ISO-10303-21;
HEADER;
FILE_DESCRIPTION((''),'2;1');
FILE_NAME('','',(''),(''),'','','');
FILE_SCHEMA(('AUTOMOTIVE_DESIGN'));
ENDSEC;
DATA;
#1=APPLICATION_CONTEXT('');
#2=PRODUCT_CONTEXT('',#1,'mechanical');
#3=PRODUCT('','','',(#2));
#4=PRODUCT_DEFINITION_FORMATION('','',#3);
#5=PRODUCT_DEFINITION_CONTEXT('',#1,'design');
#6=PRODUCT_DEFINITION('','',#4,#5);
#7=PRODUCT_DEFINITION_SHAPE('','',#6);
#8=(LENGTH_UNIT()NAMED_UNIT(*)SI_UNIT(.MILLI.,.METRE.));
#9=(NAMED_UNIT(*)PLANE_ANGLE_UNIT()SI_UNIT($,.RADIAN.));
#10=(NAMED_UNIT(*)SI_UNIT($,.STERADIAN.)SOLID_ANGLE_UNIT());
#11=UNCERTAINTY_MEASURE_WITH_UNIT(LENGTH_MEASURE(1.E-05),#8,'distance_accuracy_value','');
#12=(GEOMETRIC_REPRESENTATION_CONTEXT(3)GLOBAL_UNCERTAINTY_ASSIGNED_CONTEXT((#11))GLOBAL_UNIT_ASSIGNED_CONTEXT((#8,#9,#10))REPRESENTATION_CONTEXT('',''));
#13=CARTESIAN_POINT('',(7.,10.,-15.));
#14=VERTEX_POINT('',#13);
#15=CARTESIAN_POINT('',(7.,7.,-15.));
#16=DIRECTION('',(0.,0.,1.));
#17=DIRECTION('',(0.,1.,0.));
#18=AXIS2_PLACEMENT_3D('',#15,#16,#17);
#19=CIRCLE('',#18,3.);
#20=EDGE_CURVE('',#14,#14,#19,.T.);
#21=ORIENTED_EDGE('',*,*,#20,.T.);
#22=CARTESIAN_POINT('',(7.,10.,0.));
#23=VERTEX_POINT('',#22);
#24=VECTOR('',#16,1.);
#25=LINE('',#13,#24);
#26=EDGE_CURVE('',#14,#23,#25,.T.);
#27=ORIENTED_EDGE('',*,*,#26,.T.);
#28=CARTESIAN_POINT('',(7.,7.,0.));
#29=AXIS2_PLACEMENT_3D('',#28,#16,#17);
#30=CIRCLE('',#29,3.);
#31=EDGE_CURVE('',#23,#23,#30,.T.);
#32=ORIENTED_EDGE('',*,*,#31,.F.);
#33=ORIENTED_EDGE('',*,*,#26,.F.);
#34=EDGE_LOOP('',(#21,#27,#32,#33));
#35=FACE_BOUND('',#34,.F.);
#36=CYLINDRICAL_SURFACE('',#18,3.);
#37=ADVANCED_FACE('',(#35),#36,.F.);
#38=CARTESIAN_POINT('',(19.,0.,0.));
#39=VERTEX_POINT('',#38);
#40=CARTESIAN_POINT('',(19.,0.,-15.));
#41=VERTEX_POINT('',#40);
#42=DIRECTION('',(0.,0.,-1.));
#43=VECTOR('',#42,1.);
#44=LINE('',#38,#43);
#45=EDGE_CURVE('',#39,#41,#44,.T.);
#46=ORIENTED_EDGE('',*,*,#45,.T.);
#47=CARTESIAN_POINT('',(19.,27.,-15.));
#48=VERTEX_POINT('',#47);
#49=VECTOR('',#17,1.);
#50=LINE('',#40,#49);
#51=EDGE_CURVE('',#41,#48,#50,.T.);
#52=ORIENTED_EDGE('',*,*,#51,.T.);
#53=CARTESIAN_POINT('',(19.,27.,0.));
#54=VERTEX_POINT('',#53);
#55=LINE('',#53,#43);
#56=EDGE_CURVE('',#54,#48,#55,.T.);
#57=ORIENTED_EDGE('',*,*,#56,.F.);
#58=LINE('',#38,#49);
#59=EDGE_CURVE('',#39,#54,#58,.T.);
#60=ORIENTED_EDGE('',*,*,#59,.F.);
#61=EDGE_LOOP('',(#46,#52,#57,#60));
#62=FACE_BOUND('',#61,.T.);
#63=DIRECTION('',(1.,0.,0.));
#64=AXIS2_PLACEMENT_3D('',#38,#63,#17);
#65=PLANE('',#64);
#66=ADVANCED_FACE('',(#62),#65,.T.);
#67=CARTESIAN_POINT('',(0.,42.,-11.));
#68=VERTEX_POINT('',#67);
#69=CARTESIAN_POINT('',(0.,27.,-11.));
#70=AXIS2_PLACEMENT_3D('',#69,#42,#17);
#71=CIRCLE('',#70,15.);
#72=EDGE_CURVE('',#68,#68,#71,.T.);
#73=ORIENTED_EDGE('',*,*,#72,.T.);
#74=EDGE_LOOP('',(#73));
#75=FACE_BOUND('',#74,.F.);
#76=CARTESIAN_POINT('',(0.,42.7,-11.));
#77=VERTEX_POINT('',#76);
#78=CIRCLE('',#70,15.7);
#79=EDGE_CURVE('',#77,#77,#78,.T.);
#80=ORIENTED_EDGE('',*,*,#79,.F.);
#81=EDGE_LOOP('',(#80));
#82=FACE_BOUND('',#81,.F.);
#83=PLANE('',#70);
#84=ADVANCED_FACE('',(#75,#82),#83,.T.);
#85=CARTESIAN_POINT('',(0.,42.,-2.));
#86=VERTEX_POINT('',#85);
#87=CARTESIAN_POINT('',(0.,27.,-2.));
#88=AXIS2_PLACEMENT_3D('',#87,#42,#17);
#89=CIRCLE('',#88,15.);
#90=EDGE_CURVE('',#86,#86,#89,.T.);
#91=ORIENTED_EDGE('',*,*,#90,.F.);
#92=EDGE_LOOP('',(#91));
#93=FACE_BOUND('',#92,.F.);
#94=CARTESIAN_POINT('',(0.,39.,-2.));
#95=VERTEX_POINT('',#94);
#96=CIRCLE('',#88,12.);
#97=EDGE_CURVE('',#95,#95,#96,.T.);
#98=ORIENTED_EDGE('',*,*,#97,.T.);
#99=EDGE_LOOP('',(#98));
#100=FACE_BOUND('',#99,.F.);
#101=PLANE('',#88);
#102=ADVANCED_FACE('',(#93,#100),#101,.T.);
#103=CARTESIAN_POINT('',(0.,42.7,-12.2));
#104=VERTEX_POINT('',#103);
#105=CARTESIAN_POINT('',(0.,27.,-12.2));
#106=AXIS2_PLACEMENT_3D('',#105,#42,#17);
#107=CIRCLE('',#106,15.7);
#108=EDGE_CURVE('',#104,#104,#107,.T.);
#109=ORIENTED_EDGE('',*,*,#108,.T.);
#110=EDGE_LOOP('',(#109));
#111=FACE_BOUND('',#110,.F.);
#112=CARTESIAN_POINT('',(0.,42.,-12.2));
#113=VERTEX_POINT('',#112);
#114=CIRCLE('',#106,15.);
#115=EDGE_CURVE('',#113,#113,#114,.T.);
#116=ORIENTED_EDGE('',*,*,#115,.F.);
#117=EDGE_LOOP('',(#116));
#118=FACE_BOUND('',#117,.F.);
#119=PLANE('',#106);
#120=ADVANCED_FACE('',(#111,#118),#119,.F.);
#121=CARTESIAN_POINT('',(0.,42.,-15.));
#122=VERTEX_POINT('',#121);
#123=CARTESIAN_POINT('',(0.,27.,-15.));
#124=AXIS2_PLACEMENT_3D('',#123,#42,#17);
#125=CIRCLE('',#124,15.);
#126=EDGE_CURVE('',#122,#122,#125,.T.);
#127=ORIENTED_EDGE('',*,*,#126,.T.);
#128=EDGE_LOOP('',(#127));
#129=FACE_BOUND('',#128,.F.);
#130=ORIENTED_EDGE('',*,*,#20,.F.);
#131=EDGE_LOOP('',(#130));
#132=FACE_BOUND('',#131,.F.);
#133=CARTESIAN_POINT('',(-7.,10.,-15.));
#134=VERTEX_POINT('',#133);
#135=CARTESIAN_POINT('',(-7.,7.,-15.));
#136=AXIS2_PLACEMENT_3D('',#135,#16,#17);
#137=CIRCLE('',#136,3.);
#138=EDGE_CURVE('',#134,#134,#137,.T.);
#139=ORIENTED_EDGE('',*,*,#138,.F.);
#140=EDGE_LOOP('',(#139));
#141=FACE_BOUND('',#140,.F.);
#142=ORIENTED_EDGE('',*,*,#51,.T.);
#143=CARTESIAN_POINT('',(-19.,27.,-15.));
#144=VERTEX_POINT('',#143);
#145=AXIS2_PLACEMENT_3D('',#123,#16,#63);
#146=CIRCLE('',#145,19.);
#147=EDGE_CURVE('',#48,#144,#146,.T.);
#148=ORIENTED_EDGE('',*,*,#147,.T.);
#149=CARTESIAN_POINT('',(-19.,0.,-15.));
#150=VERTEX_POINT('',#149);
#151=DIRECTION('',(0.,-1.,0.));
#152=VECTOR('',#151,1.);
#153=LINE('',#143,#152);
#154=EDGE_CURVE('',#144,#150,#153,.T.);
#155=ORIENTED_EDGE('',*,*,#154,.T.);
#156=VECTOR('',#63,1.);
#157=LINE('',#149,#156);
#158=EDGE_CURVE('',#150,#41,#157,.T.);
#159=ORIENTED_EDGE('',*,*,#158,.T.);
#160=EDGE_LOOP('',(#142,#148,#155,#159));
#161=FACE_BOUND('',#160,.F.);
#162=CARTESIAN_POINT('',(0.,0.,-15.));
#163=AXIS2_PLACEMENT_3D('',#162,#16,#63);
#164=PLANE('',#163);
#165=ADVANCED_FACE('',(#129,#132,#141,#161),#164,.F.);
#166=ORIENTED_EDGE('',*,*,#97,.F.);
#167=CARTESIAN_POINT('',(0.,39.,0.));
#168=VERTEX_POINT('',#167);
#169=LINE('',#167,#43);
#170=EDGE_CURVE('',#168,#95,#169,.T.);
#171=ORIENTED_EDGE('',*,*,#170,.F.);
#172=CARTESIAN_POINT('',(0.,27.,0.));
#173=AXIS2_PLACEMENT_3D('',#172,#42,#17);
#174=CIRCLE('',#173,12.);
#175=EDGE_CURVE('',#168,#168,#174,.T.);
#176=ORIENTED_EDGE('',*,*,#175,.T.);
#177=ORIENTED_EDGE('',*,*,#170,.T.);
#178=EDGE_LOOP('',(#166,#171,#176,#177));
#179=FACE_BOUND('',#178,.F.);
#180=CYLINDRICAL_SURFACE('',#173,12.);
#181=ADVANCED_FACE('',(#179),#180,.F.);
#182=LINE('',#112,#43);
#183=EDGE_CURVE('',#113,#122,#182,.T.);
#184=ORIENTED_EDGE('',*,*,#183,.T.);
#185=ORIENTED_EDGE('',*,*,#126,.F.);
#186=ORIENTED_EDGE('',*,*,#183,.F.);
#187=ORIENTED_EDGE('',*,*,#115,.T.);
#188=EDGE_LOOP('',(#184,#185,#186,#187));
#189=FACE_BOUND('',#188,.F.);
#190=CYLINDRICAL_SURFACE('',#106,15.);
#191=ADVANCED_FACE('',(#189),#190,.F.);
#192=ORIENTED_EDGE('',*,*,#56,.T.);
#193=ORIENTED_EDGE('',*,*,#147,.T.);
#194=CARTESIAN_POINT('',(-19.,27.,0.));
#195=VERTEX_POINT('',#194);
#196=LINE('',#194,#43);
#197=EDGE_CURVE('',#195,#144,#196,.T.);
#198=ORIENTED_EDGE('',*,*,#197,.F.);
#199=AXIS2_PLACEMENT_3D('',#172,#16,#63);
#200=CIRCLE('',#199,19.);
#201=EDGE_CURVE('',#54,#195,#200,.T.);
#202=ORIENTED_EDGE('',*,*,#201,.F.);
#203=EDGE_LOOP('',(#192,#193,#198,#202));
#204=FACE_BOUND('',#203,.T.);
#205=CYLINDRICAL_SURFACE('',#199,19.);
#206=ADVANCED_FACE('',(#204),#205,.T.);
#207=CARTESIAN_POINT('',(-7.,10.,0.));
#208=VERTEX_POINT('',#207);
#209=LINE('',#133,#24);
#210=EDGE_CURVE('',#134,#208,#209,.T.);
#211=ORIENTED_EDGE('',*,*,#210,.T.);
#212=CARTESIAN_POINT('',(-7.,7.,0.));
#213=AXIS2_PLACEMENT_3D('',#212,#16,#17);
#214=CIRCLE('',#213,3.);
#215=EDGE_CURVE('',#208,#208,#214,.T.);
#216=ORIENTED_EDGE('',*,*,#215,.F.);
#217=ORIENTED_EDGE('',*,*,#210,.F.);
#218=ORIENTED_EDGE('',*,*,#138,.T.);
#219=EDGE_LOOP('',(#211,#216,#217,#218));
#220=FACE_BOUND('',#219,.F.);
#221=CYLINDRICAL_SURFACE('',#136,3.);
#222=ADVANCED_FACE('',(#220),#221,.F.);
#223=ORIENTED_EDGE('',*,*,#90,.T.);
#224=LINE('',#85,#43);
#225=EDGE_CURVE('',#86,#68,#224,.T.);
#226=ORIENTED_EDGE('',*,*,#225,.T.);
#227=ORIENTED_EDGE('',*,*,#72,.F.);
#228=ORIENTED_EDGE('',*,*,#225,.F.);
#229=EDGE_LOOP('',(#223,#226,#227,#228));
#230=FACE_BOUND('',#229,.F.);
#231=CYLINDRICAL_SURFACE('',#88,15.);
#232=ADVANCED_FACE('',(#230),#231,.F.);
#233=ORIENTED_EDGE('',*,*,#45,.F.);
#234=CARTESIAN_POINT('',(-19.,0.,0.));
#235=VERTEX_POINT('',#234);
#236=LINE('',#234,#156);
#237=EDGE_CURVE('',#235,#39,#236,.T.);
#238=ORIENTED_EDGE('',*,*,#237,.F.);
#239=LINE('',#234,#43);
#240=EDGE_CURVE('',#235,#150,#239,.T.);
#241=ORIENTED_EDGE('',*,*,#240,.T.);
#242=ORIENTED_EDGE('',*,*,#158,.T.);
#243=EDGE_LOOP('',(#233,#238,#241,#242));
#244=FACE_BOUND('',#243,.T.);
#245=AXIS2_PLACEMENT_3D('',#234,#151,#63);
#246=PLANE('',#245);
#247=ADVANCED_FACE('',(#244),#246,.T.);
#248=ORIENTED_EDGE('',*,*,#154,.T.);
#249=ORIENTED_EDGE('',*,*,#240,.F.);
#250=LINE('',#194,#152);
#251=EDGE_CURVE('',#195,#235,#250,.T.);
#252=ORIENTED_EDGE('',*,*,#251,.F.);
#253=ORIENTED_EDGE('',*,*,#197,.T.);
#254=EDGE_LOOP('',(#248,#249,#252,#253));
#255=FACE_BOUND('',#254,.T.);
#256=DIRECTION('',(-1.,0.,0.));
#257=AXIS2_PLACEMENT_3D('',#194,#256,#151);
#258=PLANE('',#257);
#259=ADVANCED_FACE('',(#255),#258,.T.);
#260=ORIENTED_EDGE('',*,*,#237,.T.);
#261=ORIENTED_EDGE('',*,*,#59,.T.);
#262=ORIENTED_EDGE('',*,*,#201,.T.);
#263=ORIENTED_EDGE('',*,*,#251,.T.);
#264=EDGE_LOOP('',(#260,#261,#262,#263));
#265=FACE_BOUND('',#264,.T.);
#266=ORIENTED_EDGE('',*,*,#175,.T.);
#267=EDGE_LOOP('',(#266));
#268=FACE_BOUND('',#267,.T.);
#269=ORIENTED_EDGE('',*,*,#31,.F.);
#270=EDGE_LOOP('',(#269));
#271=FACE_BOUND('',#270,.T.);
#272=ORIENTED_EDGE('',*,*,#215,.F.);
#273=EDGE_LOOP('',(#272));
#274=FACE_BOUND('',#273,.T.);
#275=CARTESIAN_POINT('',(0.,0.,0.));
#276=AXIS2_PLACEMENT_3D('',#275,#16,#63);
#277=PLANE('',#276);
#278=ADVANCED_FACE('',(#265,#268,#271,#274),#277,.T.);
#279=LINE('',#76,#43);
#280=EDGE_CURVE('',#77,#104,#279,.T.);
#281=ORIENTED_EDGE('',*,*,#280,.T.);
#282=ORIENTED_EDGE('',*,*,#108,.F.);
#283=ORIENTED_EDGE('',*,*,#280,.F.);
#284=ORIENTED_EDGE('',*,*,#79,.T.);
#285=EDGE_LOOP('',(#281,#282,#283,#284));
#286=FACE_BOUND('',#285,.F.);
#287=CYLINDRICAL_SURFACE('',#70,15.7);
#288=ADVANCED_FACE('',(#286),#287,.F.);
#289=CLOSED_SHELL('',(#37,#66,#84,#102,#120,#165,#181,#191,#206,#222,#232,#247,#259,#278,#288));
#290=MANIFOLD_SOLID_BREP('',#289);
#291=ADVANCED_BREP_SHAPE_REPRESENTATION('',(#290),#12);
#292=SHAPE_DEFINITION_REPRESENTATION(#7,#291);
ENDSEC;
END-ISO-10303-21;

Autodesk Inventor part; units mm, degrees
sketch "Sketch_7" plane through (0, 0, 0) normal (0, 0, 1) x (1, 0, 0)
  line L0 (-19, 27) -> (-19, 0)
  line L1 (-19, 0) -> (19, 0)
  line L2 (19, 0) -> (19, 27)
  arc A0 (19, 27) -> (-19, 27) centre (0, 27) ccw
extrude "Extrusion1" add sketch "Sketch_7" against normal blind 15
sketch "Sketch_8" plane through (0, 0, 0) normal (1, 0, 0) x (0, 0, -1)
  line L0 (15, 27) -> (2, 27)
  line L1 (2, 27) -> (2, 42)
  line L2 (2, 42) -> (11, 42)
  line L3 (11, 42) -> (11, 42.7)
  line L4 (11, 42.7) -> (12.2, 42.7)
  line L5 (12.2, 42.7) -> (12.2, 42)
  line L6 (12.2, 42) -> (15, 42)
  line L7 (15, 42) -> (15, 27)
  line L8 (15, 27) -> (2, 27)
revolve "Revolution1" cut sketch "Sketch_8" angle 360 about axis through (0, 27, -15) along (0, 0, -1)
sketch "Sketch_1" plane through (0, 0, 0) normal (1, 0, 0) x (0, 0, -1)
  line L0 (15, 27) -> (0, 27)
  line L1 (0, 27) -> (0, 39)
  line L2 (0, 39) -> (15, 39)
  line L3 (15, 39) -> (15, 27)
  line L4 (15, 27) -> (0, 27)
revolve "Revolution2" cut sketch "Sketch_1" angle 360 about axis through (0, 27, -15) along (0, 0, -1)
sketch "Sketch4" plane through (0, 0, -15) normal (0, 0, -1) x (-1, 0, 0)
  point P0 (7, 7)
hole "Hole1" at (-7, 7, -15) direction (0, 0, 1) diameter 6 depth 15
pattern_linear "Rectangular Pattern1" count 2 spacing 14 along (1, 0, 0) of "Hole1"
ref_plane "to_bearing_XY" through (0, 27, -6.5) normal (0, 0, 1) x (1, 0, 0)
ref_plane "to_bearing_YZ" through (0, 27, -6.5) normal (1, 0, 0) x (0, 1, 0)
ref_plane "to_bearing_ZX" through (0, 27, -6.5) normal (0, 1, 0) x (0, 0, 1)
ref_plane "to_retaining_ring_XY" through (0, 27, -12.2) normal (0, 0, -1) x (1, 0, 0)
ref_plane "to_retaining_ring_YZ" through (0, 27, -12.2) normal (1, 0, 0) x (0, -1, 0)
ref_plane "to_retaining_ring_ZX" through (0, 27, -12.2) normal (0, -1, 0) x (0, 0, -1)
properties part number "SBGSMA6200ZZ-20_h"
